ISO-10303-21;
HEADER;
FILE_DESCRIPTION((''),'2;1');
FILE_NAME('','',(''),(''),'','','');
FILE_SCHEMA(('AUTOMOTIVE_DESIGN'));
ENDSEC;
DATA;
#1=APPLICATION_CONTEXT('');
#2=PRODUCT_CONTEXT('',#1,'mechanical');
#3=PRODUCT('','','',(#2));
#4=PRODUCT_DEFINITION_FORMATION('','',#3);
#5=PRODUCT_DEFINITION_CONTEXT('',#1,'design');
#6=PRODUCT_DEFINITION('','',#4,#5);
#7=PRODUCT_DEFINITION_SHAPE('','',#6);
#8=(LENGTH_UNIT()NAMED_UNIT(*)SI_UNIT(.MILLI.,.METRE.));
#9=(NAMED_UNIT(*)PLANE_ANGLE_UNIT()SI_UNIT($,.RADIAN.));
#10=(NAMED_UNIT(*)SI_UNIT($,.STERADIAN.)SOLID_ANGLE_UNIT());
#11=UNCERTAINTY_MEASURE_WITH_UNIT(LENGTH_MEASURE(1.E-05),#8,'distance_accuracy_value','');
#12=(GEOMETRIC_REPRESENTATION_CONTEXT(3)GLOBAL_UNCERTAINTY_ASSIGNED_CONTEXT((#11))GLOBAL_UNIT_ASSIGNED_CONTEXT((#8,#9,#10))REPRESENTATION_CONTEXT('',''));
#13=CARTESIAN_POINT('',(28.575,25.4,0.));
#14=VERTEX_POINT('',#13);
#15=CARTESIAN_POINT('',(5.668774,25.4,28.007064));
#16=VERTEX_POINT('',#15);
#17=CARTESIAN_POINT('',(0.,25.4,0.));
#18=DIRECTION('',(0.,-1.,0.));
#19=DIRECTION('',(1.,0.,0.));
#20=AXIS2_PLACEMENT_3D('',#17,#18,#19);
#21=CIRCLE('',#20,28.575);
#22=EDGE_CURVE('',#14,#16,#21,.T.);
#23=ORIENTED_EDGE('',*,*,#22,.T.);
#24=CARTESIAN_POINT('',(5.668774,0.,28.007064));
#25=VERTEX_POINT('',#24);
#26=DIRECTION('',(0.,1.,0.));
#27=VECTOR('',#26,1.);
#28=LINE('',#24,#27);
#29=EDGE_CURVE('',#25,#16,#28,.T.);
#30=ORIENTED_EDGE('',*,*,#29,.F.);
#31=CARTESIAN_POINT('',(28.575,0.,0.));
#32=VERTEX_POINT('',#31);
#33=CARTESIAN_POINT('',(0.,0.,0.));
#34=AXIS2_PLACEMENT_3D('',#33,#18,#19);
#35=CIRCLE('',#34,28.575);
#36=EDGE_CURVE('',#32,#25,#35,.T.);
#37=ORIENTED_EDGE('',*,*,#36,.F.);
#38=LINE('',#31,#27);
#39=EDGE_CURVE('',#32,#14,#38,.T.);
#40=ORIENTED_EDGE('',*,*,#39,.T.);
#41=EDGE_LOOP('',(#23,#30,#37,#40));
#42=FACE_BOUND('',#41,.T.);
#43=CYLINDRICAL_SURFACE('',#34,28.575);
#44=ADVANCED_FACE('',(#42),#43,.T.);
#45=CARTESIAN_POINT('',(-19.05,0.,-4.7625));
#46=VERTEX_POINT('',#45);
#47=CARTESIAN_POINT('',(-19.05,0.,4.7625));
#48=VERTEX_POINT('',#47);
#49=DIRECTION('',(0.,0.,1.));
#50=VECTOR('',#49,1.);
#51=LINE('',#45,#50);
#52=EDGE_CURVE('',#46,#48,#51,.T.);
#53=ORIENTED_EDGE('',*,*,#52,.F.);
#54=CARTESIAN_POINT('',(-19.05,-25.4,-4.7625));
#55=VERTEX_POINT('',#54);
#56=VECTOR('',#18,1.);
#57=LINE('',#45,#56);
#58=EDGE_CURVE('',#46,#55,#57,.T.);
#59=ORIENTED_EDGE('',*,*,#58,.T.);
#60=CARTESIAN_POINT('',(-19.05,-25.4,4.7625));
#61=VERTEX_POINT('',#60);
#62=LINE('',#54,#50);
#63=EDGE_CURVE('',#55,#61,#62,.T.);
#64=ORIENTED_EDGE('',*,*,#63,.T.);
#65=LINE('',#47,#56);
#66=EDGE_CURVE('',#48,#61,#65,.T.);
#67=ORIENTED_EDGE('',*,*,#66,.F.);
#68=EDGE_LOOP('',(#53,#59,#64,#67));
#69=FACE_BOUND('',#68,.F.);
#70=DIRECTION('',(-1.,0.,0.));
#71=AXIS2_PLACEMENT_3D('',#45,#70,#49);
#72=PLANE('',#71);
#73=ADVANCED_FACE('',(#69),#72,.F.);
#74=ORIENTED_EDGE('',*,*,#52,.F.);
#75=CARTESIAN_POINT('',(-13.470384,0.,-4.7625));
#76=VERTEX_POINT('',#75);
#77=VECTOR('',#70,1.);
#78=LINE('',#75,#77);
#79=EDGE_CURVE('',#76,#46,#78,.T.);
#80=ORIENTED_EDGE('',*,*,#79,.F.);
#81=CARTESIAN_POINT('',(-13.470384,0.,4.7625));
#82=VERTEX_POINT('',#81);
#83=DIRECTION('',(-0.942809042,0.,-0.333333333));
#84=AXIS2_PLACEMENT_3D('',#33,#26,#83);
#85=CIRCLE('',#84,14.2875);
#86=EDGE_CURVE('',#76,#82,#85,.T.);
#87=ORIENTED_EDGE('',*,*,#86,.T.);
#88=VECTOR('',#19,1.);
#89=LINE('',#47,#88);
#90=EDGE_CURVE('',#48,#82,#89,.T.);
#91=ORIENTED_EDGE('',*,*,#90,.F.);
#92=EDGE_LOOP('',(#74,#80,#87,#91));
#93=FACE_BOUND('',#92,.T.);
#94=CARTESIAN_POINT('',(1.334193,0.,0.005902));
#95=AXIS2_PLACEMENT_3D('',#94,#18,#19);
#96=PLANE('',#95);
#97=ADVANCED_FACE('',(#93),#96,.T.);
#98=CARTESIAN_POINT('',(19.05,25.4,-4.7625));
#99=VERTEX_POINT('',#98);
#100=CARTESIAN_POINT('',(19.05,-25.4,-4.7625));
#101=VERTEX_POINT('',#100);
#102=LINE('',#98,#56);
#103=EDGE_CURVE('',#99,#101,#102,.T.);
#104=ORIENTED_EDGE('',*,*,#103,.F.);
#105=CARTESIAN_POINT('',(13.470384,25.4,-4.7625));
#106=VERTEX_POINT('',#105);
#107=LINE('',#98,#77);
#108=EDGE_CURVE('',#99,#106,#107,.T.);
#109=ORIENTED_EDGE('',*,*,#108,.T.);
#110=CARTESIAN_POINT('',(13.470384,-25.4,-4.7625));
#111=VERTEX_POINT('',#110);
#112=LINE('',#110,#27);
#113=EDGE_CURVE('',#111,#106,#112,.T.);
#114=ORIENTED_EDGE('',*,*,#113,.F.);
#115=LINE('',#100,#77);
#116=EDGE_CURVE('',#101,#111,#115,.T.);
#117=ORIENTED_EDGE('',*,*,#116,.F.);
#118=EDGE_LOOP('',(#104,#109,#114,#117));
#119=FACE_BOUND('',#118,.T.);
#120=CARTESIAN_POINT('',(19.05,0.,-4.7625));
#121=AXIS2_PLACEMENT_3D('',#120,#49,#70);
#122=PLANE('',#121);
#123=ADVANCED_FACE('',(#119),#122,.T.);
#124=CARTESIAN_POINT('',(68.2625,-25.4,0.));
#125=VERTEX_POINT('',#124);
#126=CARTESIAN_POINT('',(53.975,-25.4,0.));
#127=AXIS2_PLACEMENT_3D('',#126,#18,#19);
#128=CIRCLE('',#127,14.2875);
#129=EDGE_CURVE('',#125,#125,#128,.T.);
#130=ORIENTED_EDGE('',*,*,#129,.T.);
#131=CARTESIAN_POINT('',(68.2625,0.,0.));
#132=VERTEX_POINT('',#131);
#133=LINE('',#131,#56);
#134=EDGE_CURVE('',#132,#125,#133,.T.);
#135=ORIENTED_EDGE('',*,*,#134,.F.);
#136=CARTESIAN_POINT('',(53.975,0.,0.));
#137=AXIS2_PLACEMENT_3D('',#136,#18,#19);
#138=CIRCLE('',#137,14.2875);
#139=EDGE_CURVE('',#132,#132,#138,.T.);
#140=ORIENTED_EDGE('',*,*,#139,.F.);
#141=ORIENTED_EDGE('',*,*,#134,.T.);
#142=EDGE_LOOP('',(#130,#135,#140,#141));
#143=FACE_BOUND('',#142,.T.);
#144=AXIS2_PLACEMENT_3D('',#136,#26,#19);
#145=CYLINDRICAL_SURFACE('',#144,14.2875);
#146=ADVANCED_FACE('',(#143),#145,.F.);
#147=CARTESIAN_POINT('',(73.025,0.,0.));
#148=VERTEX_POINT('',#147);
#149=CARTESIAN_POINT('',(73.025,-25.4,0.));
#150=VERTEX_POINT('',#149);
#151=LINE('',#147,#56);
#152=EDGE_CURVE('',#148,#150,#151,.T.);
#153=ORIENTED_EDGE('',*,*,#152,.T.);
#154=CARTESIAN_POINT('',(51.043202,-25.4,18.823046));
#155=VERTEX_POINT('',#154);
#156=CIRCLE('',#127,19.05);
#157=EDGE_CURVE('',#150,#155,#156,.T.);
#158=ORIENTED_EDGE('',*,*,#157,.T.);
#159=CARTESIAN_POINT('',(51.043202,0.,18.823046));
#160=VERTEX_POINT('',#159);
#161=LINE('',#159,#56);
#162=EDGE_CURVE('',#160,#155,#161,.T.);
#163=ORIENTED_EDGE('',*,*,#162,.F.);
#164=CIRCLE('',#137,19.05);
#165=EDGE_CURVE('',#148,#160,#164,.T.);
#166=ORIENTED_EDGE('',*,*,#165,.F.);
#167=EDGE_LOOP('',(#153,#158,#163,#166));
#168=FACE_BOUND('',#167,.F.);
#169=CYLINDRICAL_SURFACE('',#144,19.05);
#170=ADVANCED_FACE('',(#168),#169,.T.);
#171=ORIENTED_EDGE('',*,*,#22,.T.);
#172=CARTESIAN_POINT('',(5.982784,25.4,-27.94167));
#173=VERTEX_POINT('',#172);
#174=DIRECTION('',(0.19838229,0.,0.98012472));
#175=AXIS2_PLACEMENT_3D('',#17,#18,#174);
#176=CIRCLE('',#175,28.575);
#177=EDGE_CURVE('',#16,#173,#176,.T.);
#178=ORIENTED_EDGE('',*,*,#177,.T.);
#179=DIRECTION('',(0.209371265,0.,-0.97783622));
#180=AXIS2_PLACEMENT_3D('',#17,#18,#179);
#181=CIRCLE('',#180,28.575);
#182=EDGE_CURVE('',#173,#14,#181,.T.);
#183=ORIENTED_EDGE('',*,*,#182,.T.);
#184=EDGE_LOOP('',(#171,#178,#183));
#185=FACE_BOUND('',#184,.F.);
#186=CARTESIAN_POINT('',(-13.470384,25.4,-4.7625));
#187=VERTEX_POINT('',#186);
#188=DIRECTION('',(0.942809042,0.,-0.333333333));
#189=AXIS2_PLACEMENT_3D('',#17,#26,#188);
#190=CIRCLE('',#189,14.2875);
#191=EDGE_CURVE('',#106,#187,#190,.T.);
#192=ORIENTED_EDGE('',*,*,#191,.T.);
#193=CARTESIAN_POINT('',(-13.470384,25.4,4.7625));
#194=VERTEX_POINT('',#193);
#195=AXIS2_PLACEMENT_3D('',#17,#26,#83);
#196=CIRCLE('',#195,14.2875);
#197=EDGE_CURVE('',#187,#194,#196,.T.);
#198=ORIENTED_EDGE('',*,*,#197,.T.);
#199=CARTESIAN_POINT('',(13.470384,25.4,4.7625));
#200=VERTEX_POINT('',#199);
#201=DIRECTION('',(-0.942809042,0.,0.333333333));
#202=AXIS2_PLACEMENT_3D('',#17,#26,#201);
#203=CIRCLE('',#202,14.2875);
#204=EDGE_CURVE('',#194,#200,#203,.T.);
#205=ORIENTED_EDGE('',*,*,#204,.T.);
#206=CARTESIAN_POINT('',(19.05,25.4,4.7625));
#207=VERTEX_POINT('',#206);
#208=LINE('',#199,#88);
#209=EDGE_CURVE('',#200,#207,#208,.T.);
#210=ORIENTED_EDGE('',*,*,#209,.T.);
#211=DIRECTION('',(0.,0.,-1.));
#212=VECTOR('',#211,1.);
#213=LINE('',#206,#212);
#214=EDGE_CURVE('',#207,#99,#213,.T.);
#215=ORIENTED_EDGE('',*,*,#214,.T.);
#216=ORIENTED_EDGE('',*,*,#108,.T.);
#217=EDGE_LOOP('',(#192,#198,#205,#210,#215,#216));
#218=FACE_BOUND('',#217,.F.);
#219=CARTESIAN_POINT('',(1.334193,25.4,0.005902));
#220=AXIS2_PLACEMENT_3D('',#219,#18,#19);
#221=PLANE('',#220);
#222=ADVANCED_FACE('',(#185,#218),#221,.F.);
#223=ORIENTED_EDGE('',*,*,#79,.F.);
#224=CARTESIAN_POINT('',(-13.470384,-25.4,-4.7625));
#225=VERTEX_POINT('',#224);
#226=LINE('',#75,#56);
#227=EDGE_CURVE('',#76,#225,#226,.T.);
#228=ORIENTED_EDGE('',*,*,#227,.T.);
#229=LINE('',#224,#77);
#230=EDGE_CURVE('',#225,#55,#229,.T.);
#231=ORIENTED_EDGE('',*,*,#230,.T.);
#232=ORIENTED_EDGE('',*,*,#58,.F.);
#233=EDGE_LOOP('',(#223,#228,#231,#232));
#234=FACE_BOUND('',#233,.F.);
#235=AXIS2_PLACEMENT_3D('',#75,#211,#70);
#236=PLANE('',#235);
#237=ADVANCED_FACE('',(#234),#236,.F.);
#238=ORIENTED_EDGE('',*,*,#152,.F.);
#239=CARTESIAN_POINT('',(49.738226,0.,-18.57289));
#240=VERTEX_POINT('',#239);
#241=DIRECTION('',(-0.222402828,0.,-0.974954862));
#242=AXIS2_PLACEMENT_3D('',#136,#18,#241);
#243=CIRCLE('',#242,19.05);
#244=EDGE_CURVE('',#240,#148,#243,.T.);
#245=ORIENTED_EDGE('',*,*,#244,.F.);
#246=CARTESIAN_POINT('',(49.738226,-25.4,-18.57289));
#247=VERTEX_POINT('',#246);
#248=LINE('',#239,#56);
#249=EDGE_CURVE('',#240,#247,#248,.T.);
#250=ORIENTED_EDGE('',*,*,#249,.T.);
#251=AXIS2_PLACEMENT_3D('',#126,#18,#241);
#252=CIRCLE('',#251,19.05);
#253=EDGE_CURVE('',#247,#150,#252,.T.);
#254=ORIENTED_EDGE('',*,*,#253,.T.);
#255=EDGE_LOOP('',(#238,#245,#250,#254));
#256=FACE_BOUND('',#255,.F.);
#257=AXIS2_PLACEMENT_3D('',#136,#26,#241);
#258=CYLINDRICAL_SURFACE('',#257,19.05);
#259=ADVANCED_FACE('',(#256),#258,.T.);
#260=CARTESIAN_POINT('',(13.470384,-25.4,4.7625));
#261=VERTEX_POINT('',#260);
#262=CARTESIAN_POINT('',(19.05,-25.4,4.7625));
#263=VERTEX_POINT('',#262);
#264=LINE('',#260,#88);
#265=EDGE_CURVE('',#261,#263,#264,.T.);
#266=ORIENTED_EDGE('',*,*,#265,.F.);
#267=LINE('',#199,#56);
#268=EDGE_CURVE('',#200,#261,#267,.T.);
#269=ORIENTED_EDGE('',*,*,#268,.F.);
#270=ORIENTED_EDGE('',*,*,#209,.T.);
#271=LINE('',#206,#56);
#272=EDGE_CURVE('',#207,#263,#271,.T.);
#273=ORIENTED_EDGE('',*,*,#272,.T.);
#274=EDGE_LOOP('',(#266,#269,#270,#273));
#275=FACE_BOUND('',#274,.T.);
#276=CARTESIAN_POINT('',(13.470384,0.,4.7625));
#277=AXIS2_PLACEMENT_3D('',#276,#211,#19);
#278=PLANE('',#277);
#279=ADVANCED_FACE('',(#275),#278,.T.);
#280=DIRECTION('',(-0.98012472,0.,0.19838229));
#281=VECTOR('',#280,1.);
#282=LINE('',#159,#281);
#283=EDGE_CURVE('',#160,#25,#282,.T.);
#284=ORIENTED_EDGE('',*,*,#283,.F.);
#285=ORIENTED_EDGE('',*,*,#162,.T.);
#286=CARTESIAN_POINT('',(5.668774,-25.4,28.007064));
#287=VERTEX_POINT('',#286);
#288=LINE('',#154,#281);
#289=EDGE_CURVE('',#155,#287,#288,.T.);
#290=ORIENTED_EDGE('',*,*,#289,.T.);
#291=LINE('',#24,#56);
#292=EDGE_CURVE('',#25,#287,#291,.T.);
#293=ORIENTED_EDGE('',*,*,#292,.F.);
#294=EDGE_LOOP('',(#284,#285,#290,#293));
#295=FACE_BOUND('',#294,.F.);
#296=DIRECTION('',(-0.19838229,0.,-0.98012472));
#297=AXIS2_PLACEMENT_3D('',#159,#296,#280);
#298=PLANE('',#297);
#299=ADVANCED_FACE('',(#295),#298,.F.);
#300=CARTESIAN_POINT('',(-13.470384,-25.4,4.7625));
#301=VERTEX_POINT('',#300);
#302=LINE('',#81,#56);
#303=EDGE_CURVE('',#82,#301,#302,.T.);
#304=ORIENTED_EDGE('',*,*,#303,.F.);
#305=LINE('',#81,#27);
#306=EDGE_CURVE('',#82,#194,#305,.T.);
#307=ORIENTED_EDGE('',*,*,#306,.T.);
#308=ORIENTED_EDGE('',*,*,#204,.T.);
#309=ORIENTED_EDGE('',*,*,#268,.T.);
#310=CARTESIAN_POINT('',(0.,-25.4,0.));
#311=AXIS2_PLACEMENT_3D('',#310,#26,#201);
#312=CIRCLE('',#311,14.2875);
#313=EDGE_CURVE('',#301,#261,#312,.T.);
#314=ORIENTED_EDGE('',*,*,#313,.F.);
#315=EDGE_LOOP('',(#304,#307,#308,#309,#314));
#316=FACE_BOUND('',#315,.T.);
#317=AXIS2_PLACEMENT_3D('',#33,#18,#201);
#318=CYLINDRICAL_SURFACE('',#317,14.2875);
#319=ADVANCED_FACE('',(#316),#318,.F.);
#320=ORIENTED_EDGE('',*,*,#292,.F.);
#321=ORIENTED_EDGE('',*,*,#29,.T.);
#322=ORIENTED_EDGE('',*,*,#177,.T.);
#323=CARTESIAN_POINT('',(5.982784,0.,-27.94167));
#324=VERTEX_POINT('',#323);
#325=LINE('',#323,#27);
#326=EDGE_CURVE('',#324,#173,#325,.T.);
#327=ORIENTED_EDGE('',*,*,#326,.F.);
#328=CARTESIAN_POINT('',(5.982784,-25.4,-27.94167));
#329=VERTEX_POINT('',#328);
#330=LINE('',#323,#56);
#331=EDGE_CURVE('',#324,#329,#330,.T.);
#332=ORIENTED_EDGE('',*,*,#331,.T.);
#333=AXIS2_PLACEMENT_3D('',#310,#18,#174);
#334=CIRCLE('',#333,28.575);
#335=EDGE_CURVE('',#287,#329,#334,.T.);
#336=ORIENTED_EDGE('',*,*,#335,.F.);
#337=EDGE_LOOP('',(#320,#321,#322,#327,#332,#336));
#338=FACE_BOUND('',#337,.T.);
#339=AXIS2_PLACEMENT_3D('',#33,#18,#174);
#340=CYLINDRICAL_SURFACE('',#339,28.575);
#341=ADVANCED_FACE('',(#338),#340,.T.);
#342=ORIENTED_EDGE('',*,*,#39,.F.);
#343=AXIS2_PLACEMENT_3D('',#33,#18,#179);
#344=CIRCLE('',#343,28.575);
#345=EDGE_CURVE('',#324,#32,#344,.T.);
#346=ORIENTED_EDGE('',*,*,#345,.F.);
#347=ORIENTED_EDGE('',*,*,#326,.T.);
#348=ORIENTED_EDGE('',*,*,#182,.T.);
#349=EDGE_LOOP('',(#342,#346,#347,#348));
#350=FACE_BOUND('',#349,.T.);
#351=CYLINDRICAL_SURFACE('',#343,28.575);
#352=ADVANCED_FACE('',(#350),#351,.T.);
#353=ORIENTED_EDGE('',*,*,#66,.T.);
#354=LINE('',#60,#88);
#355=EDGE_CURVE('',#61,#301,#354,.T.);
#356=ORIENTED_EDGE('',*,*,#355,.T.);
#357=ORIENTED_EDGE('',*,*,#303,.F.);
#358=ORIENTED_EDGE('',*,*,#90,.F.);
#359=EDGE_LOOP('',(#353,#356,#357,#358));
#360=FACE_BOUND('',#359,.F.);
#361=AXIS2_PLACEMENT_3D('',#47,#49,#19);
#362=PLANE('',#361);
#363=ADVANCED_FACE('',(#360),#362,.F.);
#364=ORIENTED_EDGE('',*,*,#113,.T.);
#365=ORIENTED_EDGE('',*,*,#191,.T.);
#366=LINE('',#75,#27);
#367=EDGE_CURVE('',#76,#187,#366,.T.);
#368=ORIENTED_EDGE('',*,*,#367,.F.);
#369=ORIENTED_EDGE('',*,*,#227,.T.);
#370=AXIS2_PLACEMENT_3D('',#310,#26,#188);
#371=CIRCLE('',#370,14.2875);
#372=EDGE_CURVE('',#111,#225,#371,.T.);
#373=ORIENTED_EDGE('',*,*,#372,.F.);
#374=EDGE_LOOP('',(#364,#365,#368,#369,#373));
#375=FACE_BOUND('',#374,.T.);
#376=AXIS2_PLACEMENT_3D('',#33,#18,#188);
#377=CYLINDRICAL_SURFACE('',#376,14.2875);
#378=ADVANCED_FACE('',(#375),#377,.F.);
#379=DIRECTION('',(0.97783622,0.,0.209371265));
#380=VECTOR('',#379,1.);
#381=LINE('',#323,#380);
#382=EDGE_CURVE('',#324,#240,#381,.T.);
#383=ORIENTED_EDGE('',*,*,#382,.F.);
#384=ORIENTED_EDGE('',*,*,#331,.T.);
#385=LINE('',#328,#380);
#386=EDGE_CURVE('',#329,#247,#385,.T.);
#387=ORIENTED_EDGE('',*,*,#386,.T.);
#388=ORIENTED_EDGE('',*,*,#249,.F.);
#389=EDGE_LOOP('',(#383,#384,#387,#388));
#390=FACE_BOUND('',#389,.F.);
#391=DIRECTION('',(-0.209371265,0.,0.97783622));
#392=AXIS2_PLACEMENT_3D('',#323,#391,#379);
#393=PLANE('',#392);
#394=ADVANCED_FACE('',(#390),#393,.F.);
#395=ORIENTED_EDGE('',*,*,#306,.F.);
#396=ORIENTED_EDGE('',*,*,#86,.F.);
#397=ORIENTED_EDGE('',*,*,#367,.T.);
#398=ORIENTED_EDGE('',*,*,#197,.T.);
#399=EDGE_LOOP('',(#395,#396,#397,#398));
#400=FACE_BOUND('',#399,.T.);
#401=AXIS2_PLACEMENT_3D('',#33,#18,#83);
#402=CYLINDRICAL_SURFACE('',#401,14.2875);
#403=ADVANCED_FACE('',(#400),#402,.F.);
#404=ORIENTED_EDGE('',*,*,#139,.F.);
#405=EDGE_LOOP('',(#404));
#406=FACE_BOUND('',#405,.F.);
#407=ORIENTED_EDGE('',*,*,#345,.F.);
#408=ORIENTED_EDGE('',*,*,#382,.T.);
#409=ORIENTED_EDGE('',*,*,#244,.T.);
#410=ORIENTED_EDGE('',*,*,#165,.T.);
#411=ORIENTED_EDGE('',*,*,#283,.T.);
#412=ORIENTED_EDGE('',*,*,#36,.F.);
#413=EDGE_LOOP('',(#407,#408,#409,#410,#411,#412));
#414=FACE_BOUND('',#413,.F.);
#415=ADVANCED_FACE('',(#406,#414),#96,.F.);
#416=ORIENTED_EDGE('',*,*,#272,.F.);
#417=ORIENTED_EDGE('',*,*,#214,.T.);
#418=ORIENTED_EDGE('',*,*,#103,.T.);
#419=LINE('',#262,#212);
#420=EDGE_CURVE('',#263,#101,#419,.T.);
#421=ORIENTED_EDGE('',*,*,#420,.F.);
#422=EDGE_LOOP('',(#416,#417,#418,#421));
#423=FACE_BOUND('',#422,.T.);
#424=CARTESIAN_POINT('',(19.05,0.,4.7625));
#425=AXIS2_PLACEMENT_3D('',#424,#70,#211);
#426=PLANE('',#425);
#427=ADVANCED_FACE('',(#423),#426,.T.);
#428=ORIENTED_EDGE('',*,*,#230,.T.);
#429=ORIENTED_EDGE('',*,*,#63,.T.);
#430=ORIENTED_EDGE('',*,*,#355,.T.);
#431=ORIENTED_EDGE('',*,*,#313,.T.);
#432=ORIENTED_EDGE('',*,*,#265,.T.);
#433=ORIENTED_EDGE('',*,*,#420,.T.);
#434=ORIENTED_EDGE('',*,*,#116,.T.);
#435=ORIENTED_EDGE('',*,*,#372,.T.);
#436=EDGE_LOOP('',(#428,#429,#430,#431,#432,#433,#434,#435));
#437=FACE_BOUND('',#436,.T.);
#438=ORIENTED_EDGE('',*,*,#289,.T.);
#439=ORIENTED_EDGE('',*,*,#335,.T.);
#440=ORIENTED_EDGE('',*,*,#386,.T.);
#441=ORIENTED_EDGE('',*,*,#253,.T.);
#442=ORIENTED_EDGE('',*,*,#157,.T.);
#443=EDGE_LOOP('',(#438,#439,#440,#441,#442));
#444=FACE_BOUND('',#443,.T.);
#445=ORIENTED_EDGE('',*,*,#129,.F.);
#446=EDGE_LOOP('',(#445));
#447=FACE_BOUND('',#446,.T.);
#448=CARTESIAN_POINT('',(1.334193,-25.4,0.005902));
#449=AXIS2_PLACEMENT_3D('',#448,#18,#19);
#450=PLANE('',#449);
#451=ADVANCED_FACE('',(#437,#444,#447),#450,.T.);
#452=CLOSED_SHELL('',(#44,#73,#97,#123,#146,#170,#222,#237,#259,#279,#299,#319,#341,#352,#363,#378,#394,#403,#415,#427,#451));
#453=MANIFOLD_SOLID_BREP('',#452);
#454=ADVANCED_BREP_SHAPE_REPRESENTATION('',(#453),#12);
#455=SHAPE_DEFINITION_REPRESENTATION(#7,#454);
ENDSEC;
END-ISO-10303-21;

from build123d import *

# Parameters (mm, degrees)
F0_R     = 14.2875
F1_DEPTH = 25.4
F2_DEPTH = 25.4


with BuildPart() as f1:
    # F0 (on Front) → F1 (new body)
    with BuildSketch(Plane.XZ):
        with BuildLine():
            ThreePointArc((5.9827839062, -27.9416699882), (22.2203586281, -17.9662541294), (28.575, 0))
            ThreePointArc((28.575, 0), (22.1191753976, 18.0906800516), (5.6687739472, 28.0070638757))
            ThreePointArc((5.6687739472, 28.0070638757), (-28.5745499588, -0.160373482), (5.9827839062, -27.9416699882))
        make_face()
        with BuildLine():
            ThreePointArc((-13.4703841816, 4.7625), (0, 14.2875), (13.4703841816, 4.7625))
            Line((13.4703841816, 4.7625), (19.05, 4.7625))
            Line((19.05, 4.7625), (19.05, -4.7625))
            Line((19.05, -4.7625), (13.4703841816, -4.7625))
            ThreePointArc((13.4703841816, -4.7625), (0, -14.2875), (-13.4703841816, -4.7625))
            Line((-13.4703841816, -4.7625), (-19.05, -4.7625))
            Line((-19.05, -4.7625), (-19.05, 4.7625))
            Line((-19.05, 4.7625), (-13.4703841816, 4.7625))
        make_face(mode=Mode.SUBTRACT)
        with BuildLine():
            ThreePointArc((5.6687739472, 28.0070638757), (22.1191753976, 18.0906800516), (28.575, 0))
            ThreePointArc((28.575, 0), (22.2203586281, -17.9662541294), (5.9827839062, -27.9416699882))
            Line((5.9827839062, -27.9416699882), (49.7382261223, -18.5728901119))
            ThreePointArc((49.7382261223, -18.5728901119), (34.9365884326, 0.6643681139), (51.0432019838, 18.8230459913))
            Line((51.0432019838, 18.8230459913), (5.6687739472, 28.0070638757))
        make_face()
        with BuildLine():
            ThreePointArc((73.025, 0), (66.3655558348, 14.469852318), (51.0432019838, 18.8230459913))
            ThreePointArc((51.0432019838, 18.8230459913), (34.9365884326, 0.6643681139), (49.7382261223, -18.5728901119))
            ThreePointArc((49.7382261223, -18.5728901119), (65.8533828367, -14.8931702866), (73.025, 0))
        make_face()
        with Locations((53.975, 0)):
            Circle(F0_R, mode=Mode.SUBTRACT)
    extrude(amount=F1_DEPTH)

    # F0 (on Front) → F2 (join)
    with BuildSketch(Plane.XZ):
        with BuildLine():
            ThreePointArc((5.9827839062, -27.9416699882), (22.2203586281, -17.9662541294), (28.575, 0))
            ThreePointArc((28.575, 0), (22.1191753976, 18.0906800516), (5.6687739472, 28.0070638757))
            ThreePointArc((5.6687739472, 28.0070638757), (-28.5745499588, -0.160373482), (5.9827839062, -27.9416699882))
        make_face()
        with BuildLine():
            ThreePointArc((-13.4703841816, 4.7625), (0, 14.2875), (13.4703841816, 4.7625))
            Line((13.4703841816, 4.7625), (19.05, 4.7625))
            Line((19.05, 4.7625), (19.05, -4.7625))
            Line((19.05, -4.7625), (13.4703841816, -4.7625))
            ThreePointArc((13.4703841816, -4.7625), (0, -14.2875), (-13.4703841816, -4.7625))
            Line((-13.4703841816, -4.7625), (-19.05, -4.7625))
            Line((-19.05, -4.7625), (-19.05, 4.7625))
            Line((-19.05, 4.7625), (-13.4703841816, 4.7625))
        make_face(mode=Mode.SUBTRACT)
        with BuildLine():
            ThreePointArc((-13.4703841816, -4.7625), (-14.2875, 0), (-13.4703841816, 4.7625))
            Line((-13.4703841816, 4.7625), (-19.05, 4.7625))
            Line((-19.05, 4.7625), (-19.05, -4.7625))
            Line((-19.05, -4.7625), (-13.4703841816, -4.7625))
        make_face()
    extrude(amount=-F2_DEPTH)


solid = f1.part
